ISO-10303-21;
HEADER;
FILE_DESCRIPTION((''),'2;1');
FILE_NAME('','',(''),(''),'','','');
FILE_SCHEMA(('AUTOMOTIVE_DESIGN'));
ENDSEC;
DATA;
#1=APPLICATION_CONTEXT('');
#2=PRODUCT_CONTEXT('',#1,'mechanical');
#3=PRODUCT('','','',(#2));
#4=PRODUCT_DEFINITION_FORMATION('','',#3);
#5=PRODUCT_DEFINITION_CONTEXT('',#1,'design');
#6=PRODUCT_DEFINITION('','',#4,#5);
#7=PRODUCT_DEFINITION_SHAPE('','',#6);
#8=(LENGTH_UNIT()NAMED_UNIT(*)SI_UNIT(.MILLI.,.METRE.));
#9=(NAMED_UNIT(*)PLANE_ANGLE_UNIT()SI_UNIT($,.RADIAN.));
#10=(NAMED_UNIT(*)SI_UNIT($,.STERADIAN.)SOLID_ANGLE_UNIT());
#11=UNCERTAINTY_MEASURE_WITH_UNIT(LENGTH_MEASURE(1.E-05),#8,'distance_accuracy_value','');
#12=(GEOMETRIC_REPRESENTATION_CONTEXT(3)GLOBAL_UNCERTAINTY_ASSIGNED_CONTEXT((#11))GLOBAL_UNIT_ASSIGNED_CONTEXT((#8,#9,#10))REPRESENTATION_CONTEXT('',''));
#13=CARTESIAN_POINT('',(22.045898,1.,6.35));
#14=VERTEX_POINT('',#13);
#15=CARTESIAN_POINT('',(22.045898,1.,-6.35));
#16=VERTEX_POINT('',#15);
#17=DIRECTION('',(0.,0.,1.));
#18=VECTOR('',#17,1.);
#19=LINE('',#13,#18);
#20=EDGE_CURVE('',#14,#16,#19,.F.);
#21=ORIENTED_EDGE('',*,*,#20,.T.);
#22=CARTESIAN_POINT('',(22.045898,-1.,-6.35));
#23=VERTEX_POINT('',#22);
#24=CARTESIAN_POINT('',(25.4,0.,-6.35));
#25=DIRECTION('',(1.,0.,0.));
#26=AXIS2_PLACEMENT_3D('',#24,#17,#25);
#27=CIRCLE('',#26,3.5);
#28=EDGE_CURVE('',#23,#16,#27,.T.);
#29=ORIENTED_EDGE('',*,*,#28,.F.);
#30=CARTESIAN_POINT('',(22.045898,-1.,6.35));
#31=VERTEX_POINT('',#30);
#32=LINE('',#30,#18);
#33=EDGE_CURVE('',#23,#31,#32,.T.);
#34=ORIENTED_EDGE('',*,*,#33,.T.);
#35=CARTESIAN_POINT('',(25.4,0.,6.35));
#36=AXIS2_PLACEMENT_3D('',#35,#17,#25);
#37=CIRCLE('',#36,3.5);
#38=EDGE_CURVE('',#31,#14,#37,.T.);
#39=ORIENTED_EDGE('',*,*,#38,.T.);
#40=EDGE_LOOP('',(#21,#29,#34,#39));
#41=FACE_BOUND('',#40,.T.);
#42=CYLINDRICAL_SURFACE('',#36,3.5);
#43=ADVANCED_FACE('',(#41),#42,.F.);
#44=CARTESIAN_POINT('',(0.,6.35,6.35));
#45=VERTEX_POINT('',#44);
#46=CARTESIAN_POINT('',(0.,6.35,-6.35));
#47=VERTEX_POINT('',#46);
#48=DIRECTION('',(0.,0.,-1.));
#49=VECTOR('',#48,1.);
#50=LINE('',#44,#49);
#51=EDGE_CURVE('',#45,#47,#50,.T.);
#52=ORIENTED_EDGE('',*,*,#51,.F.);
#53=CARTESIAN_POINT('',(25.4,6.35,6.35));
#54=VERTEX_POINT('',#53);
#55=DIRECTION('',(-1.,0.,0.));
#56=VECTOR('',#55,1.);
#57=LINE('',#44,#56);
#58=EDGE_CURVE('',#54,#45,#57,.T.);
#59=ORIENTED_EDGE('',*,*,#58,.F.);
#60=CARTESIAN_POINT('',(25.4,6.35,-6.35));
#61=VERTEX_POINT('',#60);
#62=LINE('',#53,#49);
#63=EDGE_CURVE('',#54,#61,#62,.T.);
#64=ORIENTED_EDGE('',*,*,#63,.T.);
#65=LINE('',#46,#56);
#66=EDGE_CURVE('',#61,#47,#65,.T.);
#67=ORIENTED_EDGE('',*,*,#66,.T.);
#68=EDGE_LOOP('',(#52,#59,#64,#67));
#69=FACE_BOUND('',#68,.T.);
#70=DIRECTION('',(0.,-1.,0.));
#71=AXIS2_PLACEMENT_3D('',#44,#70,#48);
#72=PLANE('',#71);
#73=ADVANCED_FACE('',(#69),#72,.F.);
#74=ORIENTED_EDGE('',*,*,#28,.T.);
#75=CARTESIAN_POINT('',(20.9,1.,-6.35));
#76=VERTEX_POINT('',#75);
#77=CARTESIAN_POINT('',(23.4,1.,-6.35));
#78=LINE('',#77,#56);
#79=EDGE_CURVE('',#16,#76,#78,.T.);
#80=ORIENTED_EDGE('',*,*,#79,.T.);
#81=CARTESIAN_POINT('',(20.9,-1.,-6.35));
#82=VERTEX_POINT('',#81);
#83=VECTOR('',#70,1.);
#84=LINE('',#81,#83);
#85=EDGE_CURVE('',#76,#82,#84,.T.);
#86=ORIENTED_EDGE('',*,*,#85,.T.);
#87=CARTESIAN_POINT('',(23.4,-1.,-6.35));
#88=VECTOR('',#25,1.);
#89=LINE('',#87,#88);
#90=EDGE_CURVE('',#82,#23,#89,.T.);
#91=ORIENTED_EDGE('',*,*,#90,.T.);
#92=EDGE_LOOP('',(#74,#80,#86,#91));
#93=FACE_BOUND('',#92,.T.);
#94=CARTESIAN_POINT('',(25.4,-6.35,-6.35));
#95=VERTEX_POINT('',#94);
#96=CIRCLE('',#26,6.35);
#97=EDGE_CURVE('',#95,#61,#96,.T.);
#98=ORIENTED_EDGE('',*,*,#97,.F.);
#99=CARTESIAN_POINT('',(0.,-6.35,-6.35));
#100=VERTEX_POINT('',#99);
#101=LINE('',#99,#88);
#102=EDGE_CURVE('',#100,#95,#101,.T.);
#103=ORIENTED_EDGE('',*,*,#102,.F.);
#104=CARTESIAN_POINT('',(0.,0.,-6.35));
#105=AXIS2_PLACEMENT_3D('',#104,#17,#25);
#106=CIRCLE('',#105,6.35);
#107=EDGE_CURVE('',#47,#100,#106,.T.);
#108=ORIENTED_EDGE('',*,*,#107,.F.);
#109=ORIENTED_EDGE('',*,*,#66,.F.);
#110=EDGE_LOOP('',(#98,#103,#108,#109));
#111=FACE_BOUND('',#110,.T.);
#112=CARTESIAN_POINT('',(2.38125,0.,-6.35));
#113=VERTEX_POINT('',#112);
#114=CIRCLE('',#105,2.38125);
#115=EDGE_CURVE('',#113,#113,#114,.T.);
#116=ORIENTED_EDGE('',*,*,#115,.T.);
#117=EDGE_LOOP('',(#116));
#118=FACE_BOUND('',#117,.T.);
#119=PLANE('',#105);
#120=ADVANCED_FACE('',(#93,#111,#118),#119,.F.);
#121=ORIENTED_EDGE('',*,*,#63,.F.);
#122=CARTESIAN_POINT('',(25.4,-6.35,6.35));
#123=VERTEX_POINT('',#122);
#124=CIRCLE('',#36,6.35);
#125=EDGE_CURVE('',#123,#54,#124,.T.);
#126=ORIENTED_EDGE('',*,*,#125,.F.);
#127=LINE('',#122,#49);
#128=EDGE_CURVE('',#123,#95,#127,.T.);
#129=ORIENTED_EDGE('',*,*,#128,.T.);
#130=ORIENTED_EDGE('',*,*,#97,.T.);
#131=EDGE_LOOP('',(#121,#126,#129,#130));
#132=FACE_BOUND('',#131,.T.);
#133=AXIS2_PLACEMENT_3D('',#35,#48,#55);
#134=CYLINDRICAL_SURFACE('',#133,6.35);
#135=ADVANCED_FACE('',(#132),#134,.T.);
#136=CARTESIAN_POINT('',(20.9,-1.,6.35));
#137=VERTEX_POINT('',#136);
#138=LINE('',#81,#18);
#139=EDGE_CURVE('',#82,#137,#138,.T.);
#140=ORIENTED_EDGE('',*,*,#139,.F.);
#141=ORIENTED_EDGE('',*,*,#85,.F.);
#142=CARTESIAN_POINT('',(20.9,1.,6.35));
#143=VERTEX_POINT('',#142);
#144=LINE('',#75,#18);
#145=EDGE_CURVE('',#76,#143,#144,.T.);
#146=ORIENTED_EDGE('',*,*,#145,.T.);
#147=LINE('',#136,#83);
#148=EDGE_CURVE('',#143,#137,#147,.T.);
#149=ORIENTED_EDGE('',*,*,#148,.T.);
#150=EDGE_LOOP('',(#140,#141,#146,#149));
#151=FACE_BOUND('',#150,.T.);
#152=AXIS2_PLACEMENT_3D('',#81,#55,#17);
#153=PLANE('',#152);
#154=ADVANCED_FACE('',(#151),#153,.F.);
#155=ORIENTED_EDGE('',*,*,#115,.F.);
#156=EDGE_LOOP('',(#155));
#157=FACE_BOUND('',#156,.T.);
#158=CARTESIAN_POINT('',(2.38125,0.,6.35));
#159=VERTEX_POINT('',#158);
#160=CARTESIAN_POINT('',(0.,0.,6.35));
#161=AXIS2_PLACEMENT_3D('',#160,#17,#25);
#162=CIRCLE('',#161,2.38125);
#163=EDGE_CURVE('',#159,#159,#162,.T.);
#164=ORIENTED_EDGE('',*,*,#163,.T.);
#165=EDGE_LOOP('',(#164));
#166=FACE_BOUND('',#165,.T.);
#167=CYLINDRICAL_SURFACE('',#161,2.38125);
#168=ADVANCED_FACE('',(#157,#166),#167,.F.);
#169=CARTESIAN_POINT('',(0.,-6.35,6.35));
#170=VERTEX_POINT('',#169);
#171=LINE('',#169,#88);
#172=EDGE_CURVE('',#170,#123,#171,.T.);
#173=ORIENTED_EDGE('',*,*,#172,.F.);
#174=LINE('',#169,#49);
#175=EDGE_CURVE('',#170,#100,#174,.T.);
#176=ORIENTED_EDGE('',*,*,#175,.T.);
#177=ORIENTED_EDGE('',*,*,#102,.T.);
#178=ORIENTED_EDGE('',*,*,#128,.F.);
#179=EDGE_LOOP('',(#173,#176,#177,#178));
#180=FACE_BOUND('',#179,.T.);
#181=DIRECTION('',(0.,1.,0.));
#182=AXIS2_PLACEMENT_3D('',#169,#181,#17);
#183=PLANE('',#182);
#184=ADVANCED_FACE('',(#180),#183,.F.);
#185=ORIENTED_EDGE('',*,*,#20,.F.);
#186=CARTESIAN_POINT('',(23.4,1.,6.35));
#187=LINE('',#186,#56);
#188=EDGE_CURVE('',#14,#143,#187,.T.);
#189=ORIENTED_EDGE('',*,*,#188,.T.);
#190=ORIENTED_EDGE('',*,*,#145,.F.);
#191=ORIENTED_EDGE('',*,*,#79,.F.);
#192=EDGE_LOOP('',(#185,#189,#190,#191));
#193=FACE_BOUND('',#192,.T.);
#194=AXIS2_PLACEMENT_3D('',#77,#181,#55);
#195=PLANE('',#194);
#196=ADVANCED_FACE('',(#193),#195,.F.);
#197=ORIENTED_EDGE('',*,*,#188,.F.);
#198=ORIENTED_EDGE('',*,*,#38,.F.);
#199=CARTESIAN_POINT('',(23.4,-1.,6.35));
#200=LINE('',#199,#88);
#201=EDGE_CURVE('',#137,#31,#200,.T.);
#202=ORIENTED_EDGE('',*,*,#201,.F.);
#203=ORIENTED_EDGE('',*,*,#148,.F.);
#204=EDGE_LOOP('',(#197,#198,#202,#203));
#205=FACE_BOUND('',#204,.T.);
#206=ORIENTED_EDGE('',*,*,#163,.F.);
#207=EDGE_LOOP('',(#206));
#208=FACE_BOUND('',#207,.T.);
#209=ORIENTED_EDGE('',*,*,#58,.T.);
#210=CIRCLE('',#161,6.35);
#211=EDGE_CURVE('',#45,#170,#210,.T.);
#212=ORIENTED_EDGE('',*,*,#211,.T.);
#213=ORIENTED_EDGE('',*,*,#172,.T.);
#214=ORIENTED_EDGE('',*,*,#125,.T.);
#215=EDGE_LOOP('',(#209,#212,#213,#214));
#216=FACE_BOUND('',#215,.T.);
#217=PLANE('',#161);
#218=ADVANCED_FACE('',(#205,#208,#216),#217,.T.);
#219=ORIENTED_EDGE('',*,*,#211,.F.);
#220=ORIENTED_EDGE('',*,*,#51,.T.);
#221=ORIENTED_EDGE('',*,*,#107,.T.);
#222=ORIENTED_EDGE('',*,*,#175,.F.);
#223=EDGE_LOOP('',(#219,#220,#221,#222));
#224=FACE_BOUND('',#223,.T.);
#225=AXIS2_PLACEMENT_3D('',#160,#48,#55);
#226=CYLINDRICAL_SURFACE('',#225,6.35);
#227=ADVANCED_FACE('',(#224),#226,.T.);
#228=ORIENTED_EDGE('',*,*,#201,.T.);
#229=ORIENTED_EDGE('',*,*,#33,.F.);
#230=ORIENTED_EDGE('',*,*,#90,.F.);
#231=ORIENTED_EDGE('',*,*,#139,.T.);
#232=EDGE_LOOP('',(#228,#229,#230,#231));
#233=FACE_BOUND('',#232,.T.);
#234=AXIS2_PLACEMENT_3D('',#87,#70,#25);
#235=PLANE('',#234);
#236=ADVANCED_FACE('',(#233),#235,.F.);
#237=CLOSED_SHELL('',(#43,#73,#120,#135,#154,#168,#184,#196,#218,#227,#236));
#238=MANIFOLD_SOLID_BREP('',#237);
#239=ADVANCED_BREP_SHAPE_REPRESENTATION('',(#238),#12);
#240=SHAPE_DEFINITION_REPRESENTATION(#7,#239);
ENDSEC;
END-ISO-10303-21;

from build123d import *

# Parameters (mm, degrees)
MAIN_BODY_DEPTH                = 6.35
F_3_16_0_1875_DIAMETER_HOLE1_D = 4.7625
F_7_0_7_DIAMETER_HOLE1_D       = 7
F_7_0_7_DIAMETER_HOLE1_DEPTH   = 12.7
F_7_0_7_DIAMETER_HOLE1_TIP     = 2.103012167
SKETCH6_W                      = 2.5
SKETCH6_H                      = 2
CUT_2X2_KEYWAY_DEPTH           = 35.780382402


with BuildPart() as part:
    # Sketch1 → Main Body (new, symmetric)
    with BuildSketch(Plane.XY):
        with BuildLine():
            Line((0, 6.35), (25.4, 6.35))
            ThreePointArc((25.4, 6.35), (31.75, 0), (25.4, -6.35))
            Line((25.4, -6.35), (0, -6.35))
            ThreePointArc((0, -6.35), (-6.35, 0), (0, 6.35))
        make_face()
    extrude(amount=MAIN_BODY_DEPTH, both=True)

    # 3/16 (0.1875) Diameter Hole1 (through all)
    with Locations(Plane.XY.offset(6.35)):
        with Locations((0, 0)):
            Hole(F_3_16_0_1875_DIAMETER_HOLE1_D / 2)

    # Ø7.0 (7) Diameter Hole1
    with Locations(Plane.XY.offset(6.35)):
        with Locations((25.4, 0)):
            Hole(F_7_0_7_DIAMETER_HOLE1_D / 2, depth=F_7_0_7_DIAMETER_HOLE1_DEPTH)
            with Locations((0, 0, -(F_7_0_7_DIAMETER_HOLE1_DEPTH + F_7_0_7_DIAMETER_HOLE1_TIP / 2))):  # 118° drill point
                Cone(0, F_7_0_7_DIAMETER_HOLE1_D / 2, F_7_0_7_DIAMETER_HOLE1_TIP, mode=Mode.SUBTRACT)

    # Sketch6 → Cut-2x2 Keyway (cut, through all)
    with BuildSketch(Plane.XY.offset(6.35)):
        with Locations((22.15, 0)):
            Rectangle(SKETCH6_W, SKETCH6_H)
    extrude(amount=-CUT_2X2_KEYWAY_DEPTH, mode=Mode.SUBTRACT)


solid = part.part
